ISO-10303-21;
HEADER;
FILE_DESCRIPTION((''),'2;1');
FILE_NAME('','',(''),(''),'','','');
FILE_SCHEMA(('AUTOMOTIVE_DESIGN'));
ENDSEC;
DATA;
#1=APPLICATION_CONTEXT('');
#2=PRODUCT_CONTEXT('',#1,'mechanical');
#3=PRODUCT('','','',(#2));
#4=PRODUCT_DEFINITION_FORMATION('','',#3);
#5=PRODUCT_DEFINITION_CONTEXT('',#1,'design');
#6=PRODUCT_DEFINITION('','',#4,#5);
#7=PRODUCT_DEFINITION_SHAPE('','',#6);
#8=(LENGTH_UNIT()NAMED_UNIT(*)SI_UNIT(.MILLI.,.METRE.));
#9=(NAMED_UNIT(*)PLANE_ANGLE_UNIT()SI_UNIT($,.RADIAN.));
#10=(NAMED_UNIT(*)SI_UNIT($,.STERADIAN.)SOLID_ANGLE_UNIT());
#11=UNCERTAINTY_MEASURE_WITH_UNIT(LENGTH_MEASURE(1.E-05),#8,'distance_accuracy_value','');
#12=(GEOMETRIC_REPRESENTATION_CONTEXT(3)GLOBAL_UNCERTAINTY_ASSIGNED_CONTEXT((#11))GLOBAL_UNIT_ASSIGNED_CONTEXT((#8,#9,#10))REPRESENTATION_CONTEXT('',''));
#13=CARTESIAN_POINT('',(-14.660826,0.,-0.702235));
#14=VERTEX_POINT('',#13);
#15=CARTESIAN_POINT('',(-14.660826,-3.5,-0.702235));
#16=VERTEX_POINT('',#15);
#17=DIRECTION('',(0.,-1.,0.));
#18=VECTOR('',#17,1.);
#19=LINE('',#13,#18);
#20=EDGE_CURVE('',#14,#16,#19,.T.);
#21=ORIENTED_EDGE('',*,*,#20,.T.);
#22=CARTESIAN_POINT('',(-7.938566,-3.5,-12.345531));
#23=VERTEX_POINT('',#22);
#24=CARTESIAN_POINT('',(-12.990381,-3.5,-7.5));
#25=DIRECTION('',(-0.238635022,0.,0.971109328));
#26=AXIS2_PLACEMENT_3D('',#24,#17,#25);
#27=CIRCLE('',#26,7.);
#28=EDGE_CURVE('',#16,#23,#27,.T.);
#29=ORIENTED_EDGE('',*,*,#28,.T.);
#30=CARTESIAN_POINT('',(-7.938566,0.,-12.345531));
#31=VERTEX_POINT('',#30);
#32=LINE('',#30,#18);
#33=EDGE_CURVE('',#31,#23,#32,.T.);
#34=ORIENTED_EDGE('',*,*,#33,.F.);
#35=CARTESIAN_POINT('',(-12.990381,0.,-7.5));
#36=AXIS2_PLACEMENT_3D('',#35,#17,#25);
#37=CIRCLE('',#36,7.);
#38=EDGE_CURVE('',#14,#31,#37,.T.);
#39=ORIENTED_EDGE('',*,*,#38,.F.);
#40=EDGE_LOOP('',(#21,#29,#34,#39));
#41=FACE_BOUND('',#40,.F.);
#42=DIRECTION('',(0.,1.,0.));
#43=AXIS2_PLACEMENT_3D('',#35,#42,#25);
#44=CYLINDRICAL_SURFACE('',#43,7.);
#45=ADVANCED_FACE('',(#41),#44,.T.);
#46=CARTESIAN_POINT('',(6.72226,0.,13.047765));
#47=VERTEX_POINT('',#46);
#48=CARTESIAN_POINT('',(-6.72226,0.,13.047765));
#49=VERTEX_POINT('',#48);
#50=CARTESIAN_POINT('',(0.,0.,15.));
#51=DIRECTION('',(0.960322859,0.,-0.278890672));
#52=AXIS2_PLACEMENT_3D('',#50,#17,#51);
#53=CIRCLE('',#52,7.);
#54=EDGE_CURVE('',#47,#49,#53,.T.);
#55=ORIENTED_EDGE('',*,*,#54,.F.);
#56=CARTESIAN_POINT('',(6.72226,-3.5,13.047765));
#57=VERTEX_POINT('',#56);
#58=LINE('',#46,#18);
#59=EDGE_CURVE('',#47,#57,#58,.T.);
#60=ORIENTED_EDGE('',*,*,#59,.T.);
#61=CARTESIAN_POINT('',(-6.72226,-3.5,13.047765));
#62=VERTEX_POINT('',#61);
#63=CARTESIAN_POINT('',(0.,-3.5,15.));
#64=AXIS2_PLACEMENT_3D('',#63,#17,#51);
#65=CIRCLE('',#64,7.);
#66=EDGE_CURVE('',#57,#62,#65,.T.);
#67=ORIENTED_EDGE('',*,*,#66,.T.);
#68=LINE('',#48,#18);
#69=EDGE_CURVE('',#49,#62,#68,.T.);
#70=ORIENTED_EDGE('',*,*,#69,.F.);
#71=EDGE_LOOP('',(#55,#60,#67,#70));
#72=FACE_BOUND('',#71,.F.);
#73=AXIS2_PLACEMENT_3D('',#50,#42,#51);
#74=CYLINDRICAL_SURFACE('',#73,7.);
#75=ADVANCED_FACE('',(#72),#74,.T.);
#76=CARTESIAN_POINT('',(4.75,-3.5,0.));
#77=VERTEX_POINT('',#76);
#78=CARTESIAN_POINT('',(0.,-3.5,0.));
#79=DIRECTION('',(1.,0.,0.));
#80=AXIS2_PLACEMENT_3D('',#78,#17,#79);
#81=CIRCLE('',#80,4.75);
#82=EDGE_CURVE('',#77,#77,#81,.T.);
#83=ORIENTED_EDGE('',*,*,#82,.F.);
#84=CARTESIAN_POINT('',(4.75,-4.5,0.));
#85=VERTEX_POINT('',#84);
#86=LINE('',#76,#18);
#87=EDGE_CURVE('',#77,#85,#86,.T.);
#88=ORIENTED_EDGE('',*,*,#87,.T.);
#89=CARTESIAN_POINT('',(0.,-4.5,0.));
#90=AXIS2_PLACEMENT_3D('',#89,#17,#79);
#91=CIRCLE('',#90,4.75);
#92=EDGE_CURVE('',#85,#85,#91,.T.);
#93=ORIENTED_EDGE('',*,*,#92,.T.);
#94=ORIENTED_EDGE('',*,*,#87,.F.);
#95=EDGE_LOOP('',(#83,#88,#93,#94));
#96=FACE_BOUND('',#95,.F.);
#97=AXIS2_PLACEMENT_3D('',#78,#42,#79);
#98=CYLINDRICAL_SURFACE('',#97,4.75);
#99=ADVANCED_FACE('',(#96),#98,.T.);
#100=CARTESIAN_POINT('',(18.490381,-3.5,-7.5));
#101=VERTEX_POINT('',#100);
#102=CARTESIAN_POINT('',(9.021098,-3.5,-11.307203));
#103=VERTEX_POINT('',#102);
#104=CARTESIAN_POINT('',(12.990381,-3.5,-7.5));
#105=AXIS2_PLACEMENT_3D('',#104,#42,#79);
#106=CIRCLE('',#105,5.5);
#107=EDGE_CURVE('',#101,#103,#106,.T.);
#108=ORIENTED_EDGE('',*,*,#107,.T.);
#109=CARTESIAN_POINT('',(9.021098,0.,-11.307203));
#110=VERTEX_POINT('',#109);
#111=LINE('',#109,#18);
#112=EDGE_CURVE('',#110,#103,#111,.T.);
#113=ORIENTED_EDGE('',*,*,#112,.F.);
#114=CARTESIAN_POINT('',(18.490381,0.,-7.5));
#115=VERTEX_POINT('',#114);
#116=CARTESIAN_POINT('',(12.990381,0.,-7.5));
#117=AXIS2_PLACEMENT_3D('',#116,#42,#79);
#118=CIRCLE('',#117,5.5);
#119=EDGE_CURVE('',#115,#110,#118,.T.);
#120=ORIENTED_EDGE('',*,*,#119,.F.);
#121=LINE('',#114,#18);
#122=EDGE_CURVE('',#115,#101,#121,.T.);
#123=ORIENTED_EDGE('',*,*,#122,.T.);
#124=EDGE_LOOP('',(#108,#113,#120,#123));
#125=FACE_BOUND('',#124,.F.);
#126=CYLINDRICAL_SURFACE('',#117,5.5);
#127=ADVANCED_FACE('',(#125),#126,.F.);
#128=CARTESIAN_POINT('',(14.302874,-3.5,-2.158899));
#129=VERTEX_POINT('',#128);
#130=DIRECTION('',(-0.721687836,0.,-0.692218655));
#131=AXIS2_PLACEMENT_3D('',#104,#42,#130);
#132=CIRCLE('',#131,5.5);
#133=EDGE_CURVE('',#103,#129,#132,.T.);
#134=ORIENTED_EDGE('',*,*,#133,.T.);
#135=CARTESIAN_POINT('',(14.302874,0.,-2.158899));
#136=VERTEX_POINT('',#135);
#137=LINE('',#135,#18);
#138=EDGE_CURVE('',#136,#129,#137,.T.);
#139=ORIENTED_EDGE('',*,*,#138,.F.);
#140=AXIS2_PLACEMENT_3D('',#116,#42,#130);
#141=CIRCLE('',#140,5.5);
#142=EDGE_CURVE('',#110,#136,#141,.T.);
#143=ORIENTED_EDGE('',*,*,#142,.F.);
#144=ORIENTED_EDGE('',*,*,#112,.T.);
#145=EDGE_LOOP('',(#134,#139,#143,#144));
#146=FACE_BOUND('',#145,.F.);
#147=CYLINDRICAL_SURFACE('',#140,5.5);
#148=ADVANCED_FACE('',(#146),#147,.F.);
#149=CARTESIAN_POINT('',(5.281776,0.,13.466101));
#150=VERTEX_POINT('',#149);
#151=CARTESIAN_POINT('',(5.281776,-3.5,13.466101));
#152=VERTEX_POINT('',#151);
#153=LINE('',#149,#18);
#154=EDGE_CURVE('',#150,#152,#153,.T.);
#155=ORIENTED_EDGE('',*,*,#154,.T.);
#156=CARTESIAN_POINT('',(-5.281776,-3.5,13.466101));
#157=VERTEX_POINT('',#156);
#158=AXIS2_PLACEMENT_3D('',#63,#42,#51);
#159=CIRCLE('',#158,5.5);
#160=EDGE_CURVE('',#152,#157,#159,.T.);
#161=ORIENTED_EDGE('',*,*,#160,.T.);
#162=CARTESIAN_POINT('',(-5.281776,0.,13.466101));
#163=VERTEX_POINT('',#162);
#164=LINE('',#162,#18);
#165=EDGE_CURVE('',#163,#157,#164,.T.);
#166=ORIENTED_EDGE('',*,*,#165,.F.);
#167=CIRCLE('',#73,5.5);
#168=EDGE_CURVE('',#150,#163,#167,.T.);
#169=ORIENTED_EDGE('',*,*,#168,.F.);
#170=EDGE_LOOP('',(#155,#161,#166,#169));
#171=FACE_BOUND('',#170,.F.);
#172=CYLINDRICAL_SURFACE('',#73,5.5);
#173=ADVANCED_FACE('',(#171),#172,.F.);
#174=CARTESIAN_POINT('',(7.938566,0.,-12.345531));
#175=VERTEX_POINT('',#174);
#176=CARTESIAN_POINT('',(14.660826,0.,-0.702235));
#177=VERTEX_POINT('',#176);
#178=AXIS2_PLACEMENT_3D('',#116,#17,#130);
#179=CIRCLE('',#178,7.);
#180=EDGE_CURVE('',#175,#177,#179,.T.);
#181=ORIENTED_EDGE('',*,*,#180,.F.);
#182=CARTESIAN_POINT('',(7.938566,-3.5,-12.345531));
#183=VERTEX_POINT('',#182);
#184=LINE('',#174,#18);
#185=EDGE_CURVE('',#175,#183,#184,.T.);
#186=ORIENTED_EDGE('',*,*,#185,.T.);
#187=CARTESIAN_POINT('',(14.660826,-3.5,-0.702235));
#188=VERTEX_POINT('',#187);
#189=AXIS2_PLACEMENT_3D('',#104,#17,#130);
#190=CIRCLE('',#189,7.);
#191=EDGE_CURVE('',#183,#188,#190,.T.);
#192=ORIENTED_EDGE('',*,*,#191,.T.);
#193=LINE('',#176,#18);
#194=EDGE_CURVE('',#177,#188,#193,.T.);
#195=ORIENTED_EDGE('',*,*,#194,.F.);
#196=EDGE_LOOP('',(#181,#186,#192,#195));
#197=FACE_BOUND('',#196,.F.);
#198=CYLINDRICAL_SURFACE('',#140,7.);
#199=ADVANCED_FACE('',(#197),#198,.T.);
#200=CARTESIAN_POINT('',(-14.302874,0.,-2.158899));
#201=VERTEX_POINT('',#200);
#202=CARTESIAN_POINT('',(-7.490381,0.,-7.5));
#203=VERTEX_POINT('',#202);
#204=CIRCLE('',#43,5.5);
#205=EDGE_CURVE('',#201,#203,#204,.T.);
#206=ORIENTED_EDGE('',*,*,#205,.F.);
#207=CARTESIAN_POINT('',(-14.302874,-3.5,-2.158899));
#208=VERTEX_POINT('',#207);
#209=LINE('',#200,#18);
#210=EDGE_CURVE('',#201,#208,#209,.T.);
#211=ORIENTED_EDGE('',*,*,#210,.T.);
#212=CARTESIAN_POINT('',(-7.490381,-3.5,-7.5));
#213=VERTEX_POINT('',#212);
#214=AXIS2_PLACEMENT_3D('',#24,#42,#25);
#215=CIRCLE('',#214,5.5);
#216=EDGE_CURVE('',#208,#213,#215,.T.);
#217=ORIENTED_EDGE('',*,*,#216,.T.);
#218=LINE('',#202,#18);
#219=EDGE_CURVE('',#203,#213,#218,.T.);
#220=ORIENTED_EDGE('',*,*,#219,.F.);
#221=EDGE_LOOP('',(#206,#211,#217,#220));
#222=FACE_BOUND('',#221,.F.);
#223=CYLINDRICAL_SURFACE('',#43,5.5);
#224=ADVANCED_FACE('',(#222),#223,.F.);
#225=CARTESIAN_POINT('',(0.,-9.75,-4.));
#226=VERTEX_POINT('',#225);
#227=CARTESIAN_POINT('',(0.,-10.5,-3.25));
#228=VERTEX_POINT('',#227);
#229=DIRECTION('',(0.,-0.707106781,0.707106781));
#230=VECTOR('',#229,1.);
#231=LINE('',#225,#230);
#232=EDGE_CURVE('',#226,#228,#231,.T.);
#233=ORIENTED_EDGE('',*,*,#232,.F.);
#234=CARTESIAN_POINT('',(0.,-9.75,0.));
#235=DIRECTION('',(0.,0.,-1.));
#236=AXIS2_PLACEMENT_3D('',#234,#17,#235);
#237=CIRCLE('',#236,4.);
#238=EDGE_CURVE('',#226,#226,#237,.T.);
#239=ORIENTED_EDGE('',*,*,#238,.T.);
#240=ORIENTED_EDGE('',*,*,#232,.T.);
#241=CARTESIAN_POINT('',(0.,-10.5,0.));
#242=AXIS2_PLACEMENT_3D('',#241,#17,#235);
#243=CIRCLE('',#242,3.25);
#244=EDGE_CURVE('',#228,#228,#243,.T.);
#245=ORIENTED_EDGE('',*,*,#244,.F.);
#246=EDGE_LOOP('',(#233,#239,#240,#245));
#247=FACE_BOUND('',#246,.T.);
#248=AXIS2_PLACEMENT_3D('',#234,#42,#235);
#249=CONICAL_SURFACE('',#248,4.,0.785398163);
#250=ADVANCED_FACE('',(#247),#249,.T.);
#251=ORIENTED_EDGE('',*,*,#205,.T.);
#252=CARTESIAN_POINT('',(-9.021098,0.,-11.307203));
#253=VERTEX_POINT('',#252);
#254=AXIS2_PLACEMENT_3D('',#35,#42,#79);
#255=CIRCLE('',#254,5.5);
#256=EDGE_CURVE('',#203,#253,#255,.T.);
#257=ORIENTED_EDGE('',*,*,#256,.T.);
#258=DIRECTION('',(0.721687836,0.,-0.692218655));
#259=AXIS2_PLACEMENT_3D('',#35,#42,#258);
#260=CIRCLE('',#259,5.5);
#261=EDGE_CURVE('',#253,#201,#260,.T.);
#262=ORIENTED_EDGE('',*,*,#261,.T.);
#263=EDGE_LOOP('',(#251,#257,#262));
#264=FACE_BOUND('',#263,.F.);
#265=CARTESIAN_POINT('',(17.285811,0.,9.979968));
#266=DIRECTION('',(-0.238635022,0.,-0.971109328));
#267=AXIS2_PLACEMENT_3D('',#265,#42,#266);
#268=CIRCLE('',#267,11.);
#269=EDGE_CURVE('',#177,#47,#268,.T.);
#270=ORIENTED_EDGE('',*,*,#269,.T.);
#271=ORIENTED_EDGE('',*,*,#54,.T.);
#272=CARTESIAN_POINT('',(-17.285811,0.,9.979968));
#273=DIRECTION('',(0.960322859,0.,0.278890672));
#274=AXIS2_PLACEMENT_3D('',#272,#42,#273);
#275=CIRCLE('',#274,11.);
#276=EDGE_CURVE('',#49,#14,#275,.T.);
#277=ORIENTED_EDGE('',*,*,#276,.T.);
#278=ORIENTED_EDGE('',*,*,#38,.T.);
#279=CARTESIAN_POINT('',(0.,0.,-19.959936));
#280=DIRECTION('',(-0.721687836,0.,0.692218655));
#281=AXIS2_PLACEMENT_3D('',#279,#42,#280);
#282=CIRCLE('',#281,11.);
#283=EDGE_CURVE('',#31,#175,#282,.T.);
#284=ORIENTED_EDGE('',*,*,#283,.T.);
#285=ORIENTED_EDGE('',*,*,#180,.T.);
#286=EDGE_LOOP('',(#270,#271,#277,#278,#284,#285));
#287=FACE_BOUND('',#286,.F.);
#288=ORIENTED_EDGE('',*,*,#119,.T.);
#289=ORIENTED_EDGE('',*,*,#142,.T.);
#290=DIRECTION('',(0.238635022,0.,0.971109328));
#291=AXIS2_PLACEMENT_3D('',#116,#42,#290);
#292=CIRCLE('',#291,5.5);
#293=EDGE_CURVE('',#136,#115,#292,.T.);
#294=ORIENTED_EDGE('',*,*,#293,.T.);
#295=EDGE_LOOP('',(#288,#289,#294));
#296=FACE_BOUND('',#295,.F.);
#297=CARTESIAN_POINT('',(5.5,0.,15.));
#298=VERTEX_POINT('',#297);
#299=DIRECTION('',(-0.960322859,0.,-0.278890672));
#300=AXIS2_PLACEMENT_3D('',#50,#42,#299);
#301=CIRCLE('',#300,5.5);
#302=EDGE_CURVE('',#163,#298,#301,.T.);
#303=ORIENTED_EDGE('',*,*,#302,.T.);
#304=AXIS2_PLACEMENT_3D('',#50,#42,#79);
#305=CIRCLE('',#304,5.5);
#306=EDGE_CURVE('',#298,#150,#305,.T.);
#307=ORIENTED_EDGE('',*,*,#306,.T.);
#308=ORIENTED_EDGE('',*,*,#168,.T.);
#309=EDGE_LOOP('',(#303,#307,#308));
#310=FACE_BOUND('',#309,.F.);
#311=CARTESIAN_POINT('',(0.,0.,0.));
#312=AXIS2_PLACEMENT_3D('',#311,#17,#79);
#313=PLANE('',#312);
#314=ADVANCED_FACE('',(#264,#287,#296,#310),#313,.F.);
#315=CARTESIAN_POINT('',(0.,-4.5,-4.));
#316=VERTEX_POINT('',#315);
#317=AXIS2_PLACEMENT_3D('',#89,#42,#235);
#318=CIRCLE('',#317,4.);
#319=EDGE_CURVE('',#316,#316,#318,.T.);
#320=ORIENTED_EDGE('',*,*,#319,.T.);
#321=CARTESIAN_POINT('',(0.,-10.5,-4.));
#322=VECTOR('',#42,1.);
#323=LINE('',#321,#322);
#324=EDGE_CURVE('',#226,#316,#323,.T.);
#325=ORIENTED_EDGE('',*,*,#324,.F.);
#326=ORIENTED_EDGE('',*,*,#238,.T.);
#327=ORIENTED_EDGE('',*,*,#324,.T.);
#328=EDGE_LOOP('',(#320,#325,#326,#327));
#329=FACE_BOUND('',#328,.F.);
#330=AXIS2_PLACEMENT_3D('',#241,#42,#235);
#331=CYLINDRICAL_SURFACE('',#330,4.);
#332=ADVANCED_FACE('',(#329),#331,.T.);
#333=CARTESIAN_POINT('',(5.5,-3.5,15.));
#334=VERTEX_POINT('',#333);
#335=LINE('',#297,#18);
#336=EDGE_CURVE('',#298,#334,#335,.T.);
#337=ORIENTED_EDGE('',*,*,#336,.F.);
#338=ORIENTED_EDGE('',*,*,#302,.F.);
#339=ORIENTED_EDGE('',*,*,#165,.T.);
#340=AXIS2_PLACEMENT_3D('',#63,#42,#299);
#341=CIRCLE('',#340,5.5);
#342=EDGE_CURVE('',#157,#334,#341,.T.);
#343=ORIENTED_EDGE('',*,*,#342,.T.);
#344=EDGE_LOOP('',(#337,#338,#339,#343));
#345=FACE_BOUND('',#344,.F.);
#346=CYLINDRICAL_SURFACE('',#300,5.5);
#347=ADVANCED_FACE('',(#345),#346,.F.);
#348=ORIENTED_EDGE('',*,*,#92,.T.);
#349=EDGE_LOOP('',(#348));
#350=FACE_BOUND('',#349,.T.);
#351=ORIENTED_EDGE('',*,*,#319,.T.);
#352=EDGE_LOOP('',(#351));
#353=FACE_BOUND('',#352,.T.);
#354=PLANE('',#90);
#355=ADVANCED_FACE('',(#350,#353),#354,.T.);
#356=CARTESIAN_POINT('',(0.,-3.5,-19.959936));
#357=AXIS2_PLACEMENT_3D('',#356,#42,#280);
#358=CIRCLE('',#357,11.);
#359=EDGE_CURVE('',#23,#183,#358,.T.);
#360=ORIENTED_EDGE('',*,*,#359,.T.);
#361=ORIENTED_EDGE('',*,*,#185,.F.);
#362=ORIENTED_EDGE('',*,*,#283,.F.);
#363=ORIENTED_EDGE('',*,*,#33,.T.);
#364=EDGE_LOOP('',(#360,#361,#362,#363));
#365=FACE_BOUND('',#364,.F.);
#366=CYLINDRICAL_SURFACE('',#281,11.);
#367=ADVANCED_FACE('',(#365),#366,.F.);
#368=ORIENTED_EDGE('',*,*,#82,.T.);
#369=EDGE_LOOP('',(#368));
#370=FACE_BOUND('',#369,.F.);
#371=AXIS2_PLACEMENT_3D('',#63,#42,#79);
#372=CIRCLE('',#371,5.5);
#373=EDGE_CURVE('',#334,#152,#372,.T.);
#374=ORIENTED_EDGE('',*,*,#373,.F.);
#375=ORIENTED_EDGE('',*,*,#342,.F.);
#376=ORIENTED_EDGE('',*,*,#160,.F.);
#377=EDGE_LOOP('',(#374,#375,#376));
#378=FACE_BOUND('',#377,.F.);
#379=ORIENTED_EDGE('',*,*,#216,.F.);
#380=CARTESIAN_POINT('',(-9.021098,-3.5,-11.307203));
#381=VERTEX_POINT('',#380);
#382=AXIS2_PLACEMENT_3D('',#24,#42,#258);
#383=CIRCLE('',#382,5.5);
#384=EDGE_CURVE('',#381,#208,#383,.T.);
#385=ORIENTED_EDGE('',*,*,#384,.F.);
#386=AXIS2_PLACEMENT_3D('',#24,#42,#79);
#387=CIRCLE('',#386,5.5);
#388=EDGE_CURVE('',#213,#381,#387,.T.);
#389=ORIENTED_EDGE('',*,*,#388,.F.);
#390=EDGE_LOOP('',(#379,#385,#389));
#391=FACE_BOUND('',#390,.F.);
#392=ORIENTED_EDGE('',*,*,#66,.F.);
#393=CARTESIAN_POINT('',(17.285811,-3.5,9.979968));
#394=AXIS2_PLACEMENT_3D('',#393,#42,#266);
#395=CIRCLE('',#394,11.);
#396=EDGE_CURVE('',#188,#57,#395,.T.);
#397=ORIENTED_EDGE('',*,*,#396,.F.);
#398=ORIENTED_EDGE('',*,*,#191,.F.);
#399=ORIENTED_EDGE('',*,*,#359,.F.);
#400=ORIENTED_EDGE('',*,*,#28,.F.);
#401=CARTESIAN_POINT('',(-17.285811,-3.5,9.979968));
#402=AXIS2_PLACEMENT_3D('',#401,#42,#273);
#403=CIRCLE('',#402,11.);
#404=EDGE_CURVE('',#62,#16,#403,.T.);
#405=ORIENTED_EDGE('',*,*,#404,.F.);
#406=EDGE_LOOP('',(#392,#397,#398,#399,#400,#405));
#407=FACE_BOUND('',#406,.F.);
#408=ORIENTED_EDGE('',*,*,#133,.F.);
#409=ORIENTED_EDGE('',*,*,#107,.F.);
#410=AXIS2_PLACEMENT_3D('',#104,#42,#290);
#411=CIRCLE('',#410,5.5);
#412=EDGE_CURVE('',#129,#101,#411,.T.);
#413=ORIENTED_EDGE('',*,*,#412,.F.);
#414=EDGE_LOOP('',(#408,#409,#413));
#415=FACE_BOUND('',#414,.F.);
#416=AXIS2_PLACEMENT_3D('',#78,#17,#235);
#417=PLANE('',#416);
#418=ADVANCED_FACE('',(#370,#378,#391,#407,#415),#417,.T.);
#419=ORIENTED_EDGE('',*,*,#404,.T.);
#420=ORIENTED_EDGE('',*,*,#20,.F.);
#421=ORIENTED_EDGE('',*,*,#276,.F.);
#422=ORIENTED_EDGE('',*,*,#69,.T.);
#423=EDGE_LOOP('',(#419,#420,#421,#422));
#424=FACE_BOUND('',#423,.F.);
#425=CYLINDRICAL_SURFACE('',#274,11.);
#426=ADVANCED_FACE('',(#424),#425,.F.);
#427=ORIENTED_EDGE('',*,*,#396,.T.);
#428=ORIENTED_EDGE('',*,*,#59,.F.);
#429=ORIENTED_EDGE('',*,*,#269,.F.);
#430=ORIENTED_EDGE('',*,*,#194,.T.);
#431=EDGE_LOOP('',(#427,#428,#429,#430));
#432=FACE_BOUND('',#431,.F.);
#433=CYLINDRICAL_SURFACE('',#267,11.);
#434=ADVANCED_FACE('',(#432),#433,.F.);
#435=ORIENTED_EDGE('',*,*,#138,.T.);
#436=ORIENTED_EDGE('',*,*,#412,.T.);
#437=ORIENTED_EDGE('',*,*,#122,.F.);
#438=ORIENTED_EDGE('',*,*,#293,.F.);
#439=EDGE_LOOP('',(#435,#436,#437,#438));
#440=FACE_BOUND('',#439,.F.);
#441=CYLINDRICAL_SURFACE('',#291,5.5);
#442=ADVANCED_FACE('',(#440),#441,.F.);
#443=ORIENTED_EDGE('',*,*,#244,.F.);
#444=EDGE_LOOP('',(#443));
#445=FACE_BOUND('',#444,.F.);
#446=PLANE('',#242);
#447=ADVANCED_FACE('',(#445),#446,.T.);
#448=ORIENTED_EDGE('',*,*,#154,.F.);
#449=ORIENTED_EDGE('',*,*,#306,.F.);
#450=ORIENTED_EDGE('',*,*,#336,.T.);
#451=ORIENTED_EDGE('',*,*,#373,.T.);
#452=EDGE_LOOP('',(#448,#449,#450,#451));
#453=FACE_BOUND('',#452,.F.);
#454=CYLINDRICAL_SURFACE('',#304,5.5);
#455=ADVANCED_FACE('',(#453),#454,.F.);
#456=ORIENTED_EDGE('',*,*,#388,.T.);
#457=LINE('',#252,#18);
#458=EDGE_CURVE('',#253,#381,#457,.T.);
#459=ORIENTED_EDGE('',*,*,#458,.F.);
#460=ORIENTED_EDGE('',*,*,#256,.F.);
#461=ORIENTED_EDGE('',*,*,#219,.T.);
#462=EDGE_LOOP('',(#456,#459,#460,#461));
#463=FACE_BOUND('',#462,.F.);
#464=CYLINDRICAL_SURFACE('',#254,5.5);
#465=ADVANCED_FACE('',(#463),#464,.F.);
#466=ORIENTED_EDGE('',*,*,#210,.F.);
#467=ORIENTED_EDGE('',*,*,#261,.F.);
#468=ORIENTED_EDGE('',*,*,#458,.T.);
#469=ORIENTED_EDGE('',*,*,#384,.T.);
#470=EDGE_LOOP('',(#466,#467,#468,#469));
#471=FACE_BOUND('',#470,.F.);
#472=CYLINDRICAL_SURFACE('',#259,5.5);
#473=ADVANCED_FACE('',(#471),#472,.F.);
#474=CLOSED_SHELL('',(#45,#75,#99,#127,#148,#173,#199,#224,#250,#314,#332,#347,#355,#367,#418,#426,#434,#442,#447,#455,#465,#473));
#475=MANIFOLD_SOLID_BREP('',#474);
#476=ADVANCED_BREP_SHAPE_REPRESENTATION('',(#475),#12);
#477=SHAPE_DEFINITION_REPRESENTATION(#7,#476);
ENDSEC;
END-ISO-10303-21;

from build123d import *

# Parameters (mm, degrees)
F0_R     = 11
F1_DEPTH = 7
F2_SCALE = 0.5
F5_R     = 4.75
F5_R_2   = 4
F6_DEPTH = 1
F7_SIZE  = 0.75


with BuildPart() as f1:
    # F0 (on Front) → F1 (new body)
    with BuildSketch(Plane.XZ):
        with BuildLine():
            ThreePointArc((29.3216524239, -1.4044694133), (15.5190640284, 8.9599357944), (13.4445200212, 26.0955305867))
            ThreePointArc((13.4445200212, 26.0955305867), (0, 44), (-13.4445200212, 26.0955305867))
            ThreePointArc((-13.4445200212, 26.0955305867), (-15.5190640284, 8.9599357944), (-29.3216524239, -1.4044694133))
            ThreePointArc((-29.3216524239, -1.4044694133), (-38.1051177665, -22), (-15.8771324027, -24.6910611734))
            ThreePointArc((-15.8771324027, -24.6910611734), (0, -17.9198715888), (15.8771324027, -24.6910611734))
            ThreePointArc((15.8771324027, -24.6910611734), (38.1051177665, -22), (29.3216524239, -1.4044694133))
        make_face()
        with BuildLine():
            ThreePointArc((11, 30), (10.8903412687, 28.4506559287), (10.5635514452, 26.9322026038))
            ThreePointArc((10.5635514452, 26.9322026038), (12.9209878171, 7.4599357944), (28.6057473574, -4.3177973962))
            ThreePointArc((28.6057473574, -4.3177973962), (34.6374022725, -8.2130580407), (36.9807621135, -15))
            ThreePointArc((36.9807621135, -15), (30.084161423, -25.2059842302), (18.0421959122, -22.6144052077))
            ThreePointArc((18.0421959122, -22.6144052077), (0, -14.9198715888), (-18.0421959122, -22.6144052077))
            ThreePointArc((-18.0421959122, -22.6144052077), (-35.5070415552, -20.5), (-28.6057473574, -4.3177973962))
            ThreePointArc((-28.6057473574, -4.3177973962), (-12.9209878171, 7.4599357944), (-10.5635514452, 26.9322026038))
            ThreePointArc((-10.5635514452, 26.9322026038), (-1.5493440713, 40.8903412687), (11, 30))
        make_face(mode=Mode.SUBTRACT)
        with BuildLine():
            ThreePointArc((28.6057473574, -4.3177973962), (12.9209878171, 7.4599357944), (10.5635514452, 26.9322026038))
            ThreePointArc((10.5635514452, 26.9322026038), (0, 19), (-10.5635514452, 26.9322026038))
            ThreePointArc((-10.5635514452, 26.9322026038), (-12.9209878171, 7.4599357944), (-28.6057473574, -4.3177973962))
            ThreePointArc((-28.6057473574, -4.3177973962), (-19.1938201542, -6.3433598411), (-14.9807621135, -15))
            ThreePointArc((-14.9807621135, -15), (-15.7747778833, -19.1033993094), (-18.0421959122, -22.6144052077))
            ThreePointArc((-18.0421959122, -22.6144052077), (0, -14.9198715888), (18.0421959122, -22.6144052077))
            ThreePointArc((18.0421959122, -22.6144052077), (16.4544826719, -9.5), (28.6057473574, -4.3177973962))
        make_face()
        Circle(F0_R, mode=Mode.SUBTRACT)
    extrude(amount=F1_DEPTH)


with BuildPart() as f1_1:
    # F2: moved
    add(f1.part.scale(F2_SCALE))

    # F3 (on Right) → F4 (revolve)
    with BuildSketch(Plane.YZ):
        Polygon((-10.5, -4), (-3.5, -4), (-3.5, -0.7022347066), (-3.5, 0), (-10.5, 0), align=None)
        Polygon((-3.5, -4), (-3.5, -5.5), (0, -5.5), (0, 0), (-3.5, 0), (-3.5, -0.7022347066), align=None)
    revolve(axis=Axis((0, -7, 0), (0, -1, 0)))

    # F5 (on face) → F6 (join)
    with BuildSketch(Plane.XZ.offset(3.5)):
        Circle(F5_R)
        Circle(F5_R_2, mode=Mode.SUBTRACT)
    extrude(amount=F6_DEPTH)

    # F7
    f7_edges = [f1_1.edges().sort_by_distance(p)[0] for p in [
        (0, -10.5, 4),
    ]]
    chamfer(f7_edges, length=F7_SIZE)


solid = f1_1.part
